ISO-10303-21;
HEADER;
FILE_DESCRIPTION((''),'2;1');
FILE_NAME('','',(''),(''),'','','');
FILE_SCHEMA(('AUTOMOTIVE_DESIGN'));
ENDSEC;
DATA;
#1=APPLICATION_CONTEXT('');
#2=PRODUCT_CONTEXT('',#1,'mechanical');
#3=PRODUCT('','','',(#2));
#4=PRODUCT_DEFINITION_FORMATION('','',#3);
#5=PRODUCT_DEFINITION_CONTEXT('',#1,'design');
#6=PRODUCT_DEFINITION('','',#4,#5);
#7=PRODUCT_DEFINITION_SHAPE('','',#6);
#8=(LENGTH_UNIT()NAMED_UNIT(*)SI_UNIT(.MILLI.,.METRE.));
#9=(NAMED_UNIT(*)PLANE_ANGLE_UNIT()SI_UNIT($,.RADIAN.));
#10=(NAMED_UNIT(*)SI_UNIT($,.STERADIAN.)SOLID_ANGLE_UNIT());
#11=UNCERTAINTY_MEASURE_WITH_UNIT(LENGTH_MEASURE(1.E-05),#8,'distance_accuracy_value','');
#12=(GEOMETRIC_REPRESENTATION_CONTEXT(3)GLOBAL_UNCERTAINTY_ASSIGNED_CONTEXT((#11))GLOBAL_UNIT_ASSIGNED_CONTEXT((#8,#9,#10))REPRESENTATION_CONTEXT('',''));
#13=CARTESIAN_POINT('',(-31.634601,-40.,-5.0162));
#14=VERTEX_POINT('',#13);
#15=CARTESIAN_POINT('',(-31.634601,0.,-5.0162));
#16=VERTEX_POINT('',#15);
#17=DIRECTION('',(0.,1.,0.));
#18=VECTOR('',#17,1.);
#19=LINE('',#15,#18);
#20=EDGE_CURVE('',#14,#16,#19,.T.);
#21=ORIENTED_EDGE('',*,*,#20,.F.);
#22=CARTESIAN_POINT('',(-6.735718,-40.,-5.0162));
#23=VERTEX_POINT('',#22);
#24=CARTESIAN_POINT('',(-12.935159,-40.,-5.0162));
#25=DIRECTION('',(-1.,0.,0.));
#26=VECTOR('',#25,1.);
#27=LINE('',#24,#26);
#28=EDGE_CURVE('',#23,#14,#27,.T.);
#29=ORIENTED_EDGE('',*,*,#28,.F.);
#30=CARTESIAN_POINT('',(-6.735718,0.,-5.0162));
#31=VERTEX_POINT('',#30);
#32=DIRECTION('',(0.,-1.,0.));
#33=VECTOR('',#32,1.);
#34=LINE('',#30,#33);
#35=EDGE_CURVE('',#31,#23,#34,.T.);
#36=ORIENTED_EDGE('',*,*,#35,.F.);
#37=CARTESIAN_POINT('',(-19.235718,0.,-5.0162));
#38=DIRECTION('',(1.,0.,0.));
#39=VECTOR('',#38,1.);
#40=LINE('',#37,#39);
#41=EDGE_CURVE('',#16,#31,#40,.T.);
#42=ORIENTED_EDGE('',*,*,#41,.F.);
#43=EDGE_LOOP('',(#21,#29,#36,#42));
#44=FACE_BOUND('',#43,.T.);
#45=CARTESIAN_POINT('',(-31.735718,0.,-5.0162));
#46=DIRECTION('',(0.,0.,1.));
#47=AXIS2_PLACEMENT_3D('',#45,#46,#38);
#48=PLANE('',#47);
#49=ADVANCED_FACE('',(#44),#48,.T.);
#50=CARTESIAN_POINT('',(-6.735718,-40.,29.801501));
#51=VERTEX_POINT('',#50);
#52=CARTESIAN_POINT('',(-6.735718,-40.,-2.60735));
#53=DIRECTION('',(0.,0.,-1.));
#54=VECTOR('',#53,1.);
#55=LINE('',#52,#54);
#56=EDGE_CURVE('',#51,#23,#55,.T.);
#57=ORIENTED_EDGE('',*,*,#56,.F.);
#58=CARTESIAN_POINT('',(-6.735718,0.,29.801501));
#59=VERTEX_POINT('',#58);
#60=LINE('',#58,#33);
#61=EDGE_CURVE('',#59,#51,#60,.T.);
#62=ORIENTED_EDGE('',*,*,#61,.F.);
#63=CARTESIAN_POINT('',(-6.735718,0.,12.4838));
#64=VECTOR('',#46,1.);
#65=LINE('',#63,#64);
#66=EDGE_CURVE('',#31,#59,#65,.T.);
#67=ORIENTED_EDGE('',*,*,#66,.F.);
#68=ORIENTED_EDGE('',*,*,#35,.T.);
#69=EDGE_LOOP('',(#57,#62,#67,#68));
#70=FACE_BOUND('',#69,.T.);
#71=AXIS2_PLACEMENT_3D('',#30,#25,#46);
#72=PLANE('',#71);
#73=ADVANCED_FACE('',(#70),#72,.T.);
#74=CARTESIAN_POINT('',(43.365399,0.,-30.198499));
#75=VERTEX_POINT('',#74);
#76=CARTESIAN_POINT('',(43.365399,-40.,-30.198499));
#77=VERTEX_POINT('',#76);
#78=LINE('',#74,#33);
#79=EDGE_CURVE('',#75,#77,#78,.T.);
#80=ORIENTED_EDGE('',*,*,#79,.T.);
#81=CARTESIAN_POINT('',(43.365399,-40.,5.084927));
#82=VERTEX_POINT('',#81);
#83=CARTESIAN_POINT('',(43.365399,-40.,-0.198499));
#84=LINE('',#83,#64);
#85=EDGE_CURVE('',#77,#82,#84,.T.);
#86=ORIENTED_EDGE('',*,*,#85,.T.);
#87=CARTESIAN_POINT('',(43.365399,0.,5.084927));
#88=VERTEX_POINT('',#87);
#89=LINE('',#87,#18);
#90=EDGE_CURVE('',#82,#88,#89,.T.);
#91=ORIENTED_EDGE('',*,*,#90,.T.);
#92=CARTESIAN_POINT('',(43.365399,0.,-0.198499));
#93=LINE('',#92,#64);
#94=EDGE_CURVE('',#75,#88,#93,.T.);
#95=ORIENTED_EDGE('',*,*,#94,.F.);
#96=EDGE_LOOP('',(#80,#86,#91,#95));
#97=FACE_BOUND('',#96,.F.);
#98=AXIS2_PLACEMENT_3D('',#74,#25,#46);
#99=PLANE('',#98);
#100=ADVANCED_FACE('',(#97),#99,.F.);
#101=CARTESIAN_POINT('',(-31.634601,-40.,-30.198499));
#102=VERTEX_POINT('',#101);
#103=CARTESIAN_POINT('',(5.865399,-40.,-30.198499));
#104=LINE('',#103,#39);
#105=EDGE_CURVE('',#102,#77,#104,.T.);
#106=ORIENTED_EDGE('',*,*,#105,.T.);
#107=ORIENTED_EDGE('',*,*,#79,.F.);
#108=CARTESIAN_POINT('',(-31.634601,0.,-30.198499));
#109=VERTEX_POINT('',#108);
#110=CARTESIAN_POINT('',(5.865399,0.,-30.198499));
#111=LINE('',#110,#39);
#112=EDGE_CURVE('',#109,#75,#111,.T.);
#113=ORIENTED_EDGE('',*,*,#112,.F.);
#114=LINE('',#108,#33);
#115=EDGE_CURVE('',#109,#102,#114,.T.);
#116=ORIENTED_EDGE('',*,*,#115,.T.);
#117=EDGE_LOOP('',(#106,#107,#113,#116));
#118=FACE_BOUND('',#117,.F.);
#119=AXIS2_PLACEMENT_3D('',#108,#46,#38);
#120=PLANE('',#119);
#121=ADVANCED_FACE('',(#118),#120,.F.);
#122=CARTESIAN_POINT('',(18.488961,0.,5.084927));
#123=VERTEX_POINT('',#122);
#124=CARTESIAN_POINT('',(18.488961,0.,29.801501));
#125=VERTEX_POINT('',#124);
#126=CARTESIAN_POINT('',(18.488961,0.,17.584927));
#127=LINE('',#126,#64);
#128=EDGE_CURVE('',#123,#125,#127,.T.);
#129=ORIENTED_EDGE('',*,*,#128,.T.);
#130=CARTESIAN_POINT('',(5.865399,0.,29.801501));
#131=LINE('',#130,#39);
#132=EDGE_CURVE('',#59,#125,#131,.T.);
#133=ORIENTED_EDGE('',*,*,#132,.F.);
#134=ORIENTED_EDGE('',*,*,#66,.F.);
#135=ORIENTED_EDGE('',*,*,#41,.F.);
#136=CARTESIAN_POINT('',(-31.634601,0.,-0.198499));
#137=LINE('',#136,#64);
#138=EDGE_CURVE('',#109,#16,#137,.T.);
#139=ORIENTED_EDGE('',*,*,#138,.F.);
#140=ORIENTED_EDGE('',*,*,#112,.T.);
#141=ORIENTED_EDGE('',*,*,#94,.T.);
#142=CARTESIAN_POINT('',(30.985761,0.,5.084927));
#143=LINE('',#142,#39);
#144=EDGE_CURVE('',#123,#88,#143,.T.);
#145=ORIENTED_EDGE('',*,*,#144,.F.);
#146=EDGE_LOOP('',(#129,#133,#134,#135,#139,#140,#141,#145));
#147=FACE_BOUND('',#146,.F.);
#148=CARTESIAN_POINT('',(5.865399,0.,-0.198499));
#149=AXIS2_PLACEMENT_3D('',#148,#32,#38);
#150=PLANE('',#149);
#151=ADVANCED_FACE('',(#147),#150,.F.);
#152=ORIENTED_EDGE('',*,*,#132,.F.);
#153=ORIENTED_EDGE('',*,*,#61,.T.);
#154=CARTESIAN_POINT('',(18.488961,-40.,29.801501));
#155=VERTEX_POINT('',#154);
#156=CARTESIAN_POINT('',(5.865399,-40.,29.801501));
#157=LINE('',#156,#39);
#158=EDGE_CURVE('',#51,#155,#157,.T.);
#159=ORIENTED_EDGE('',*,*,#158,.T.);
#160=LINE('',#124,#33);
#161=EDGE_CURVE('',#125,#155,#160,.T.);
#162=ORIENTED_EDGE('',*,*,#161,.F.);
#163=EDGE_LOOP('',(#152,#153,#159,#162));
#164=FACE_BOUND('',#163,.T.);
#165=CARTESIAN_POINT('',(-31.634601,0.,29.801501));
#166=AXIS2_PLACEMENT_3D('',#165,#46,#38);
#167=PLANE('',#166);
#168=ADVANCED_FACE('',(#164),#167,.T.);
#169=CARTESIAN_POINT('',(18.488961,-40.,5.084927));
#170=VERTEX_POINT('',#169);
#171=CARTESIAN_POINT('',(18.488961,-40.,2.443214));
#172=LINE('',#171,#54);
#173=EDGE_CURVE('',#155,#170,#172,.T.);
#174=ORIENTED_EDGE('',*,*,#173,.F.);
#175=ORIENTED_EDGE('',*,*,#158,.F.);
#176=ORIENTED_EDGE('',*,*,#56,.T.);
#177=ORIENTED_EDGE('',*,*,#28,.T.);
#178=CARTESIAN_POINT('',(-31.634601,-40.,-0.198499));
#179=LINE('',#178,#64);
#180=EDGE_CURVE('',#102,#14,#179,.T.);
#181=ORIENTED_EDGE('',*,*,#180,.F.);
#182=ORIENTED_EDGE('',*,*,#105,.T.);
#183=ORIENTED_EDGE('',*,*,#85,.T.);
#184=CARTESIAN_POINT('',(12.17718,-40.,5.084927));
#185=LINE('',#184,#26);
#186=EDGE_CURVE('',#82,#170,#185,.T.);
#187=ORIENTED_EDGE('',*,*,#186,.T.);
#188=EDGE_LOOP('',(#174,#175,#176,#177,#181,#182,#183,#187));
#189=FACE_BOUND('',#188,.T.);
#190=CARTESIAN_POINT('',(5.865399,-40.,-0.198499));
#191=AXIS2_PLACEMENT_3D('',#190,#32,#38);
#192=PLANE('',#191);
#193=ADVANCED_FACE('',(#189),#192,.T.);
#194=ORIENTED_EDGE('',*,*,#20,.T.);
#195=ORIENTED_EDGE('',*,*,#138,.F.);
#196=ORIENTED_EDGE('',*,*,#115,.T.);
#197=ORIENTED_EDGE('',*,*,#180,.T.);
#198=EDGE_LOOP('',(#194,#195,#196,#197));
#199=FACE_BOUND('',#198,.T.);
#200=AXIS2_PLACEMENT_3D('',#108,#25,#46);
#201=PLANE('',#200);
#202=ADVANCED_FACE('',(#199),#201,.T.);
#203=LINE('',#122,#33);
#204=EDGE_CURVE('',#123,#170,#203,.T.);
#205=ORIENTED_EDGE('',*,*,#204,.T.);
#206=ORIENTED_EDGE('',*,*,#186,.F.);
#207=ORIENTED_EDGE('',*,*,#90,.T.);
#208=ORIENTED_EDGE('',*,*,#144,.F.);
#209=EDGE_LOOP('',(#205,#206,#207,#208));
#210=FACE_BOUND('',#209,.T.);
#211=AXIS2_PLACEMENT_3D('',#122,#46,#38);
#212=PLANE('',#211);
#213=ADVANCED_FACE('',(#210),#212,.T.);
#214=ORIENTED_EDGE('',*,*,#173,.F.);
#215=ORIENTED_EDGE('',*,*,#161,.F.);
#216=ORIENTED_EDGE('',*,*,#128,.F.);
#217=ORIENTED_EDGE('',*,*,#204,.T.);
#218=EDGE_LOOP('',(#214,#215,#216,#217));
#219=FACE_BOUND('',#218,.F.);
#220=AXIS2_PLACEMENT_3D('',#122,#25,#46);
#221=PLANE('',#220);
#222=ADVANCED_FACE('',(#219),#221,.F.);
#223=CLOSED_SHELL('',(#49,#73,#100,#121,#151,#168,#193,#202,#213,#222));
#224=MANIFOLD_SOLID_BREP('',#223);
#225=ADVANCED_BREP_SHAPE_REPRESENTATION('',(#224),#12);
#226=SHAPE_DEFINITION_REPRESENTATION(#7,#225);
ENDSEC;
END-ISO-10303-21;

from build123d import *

# Parameters (mm, degrees)
F0_W     = 75
F0_H     = 60
F1_DEPTH = 40
F2_W     = 25
F2_H     = 35
F2_W_2   = 24.9936
F2_H_2   = 25
F3_DEPTH = 40.001


with BuildPart() as f1:
    # F0 (on Front) → F1 (new body)
    with BuildSketch(Plane.XZ):
        with Locations((5.865399, -0.198499)):
            Rectangle(F0_W, F0_H)
    extrude(amount=F1_DEPTH)

    # F2 (on Front) → F3 (cut, through all)
    with BuildSketch(Plane.XZ):
        with Locations((-19.235718, 12.4838)):
            Rectangle(F2_W, F2_H)
        with Locations((30.985761, 17.584927)):
            Rectangle(F2_W_2, F2_H_2)
    extrude(amount=F3_DEPTH, mode=Mode.SUBTRACT)


solid = f1.part
